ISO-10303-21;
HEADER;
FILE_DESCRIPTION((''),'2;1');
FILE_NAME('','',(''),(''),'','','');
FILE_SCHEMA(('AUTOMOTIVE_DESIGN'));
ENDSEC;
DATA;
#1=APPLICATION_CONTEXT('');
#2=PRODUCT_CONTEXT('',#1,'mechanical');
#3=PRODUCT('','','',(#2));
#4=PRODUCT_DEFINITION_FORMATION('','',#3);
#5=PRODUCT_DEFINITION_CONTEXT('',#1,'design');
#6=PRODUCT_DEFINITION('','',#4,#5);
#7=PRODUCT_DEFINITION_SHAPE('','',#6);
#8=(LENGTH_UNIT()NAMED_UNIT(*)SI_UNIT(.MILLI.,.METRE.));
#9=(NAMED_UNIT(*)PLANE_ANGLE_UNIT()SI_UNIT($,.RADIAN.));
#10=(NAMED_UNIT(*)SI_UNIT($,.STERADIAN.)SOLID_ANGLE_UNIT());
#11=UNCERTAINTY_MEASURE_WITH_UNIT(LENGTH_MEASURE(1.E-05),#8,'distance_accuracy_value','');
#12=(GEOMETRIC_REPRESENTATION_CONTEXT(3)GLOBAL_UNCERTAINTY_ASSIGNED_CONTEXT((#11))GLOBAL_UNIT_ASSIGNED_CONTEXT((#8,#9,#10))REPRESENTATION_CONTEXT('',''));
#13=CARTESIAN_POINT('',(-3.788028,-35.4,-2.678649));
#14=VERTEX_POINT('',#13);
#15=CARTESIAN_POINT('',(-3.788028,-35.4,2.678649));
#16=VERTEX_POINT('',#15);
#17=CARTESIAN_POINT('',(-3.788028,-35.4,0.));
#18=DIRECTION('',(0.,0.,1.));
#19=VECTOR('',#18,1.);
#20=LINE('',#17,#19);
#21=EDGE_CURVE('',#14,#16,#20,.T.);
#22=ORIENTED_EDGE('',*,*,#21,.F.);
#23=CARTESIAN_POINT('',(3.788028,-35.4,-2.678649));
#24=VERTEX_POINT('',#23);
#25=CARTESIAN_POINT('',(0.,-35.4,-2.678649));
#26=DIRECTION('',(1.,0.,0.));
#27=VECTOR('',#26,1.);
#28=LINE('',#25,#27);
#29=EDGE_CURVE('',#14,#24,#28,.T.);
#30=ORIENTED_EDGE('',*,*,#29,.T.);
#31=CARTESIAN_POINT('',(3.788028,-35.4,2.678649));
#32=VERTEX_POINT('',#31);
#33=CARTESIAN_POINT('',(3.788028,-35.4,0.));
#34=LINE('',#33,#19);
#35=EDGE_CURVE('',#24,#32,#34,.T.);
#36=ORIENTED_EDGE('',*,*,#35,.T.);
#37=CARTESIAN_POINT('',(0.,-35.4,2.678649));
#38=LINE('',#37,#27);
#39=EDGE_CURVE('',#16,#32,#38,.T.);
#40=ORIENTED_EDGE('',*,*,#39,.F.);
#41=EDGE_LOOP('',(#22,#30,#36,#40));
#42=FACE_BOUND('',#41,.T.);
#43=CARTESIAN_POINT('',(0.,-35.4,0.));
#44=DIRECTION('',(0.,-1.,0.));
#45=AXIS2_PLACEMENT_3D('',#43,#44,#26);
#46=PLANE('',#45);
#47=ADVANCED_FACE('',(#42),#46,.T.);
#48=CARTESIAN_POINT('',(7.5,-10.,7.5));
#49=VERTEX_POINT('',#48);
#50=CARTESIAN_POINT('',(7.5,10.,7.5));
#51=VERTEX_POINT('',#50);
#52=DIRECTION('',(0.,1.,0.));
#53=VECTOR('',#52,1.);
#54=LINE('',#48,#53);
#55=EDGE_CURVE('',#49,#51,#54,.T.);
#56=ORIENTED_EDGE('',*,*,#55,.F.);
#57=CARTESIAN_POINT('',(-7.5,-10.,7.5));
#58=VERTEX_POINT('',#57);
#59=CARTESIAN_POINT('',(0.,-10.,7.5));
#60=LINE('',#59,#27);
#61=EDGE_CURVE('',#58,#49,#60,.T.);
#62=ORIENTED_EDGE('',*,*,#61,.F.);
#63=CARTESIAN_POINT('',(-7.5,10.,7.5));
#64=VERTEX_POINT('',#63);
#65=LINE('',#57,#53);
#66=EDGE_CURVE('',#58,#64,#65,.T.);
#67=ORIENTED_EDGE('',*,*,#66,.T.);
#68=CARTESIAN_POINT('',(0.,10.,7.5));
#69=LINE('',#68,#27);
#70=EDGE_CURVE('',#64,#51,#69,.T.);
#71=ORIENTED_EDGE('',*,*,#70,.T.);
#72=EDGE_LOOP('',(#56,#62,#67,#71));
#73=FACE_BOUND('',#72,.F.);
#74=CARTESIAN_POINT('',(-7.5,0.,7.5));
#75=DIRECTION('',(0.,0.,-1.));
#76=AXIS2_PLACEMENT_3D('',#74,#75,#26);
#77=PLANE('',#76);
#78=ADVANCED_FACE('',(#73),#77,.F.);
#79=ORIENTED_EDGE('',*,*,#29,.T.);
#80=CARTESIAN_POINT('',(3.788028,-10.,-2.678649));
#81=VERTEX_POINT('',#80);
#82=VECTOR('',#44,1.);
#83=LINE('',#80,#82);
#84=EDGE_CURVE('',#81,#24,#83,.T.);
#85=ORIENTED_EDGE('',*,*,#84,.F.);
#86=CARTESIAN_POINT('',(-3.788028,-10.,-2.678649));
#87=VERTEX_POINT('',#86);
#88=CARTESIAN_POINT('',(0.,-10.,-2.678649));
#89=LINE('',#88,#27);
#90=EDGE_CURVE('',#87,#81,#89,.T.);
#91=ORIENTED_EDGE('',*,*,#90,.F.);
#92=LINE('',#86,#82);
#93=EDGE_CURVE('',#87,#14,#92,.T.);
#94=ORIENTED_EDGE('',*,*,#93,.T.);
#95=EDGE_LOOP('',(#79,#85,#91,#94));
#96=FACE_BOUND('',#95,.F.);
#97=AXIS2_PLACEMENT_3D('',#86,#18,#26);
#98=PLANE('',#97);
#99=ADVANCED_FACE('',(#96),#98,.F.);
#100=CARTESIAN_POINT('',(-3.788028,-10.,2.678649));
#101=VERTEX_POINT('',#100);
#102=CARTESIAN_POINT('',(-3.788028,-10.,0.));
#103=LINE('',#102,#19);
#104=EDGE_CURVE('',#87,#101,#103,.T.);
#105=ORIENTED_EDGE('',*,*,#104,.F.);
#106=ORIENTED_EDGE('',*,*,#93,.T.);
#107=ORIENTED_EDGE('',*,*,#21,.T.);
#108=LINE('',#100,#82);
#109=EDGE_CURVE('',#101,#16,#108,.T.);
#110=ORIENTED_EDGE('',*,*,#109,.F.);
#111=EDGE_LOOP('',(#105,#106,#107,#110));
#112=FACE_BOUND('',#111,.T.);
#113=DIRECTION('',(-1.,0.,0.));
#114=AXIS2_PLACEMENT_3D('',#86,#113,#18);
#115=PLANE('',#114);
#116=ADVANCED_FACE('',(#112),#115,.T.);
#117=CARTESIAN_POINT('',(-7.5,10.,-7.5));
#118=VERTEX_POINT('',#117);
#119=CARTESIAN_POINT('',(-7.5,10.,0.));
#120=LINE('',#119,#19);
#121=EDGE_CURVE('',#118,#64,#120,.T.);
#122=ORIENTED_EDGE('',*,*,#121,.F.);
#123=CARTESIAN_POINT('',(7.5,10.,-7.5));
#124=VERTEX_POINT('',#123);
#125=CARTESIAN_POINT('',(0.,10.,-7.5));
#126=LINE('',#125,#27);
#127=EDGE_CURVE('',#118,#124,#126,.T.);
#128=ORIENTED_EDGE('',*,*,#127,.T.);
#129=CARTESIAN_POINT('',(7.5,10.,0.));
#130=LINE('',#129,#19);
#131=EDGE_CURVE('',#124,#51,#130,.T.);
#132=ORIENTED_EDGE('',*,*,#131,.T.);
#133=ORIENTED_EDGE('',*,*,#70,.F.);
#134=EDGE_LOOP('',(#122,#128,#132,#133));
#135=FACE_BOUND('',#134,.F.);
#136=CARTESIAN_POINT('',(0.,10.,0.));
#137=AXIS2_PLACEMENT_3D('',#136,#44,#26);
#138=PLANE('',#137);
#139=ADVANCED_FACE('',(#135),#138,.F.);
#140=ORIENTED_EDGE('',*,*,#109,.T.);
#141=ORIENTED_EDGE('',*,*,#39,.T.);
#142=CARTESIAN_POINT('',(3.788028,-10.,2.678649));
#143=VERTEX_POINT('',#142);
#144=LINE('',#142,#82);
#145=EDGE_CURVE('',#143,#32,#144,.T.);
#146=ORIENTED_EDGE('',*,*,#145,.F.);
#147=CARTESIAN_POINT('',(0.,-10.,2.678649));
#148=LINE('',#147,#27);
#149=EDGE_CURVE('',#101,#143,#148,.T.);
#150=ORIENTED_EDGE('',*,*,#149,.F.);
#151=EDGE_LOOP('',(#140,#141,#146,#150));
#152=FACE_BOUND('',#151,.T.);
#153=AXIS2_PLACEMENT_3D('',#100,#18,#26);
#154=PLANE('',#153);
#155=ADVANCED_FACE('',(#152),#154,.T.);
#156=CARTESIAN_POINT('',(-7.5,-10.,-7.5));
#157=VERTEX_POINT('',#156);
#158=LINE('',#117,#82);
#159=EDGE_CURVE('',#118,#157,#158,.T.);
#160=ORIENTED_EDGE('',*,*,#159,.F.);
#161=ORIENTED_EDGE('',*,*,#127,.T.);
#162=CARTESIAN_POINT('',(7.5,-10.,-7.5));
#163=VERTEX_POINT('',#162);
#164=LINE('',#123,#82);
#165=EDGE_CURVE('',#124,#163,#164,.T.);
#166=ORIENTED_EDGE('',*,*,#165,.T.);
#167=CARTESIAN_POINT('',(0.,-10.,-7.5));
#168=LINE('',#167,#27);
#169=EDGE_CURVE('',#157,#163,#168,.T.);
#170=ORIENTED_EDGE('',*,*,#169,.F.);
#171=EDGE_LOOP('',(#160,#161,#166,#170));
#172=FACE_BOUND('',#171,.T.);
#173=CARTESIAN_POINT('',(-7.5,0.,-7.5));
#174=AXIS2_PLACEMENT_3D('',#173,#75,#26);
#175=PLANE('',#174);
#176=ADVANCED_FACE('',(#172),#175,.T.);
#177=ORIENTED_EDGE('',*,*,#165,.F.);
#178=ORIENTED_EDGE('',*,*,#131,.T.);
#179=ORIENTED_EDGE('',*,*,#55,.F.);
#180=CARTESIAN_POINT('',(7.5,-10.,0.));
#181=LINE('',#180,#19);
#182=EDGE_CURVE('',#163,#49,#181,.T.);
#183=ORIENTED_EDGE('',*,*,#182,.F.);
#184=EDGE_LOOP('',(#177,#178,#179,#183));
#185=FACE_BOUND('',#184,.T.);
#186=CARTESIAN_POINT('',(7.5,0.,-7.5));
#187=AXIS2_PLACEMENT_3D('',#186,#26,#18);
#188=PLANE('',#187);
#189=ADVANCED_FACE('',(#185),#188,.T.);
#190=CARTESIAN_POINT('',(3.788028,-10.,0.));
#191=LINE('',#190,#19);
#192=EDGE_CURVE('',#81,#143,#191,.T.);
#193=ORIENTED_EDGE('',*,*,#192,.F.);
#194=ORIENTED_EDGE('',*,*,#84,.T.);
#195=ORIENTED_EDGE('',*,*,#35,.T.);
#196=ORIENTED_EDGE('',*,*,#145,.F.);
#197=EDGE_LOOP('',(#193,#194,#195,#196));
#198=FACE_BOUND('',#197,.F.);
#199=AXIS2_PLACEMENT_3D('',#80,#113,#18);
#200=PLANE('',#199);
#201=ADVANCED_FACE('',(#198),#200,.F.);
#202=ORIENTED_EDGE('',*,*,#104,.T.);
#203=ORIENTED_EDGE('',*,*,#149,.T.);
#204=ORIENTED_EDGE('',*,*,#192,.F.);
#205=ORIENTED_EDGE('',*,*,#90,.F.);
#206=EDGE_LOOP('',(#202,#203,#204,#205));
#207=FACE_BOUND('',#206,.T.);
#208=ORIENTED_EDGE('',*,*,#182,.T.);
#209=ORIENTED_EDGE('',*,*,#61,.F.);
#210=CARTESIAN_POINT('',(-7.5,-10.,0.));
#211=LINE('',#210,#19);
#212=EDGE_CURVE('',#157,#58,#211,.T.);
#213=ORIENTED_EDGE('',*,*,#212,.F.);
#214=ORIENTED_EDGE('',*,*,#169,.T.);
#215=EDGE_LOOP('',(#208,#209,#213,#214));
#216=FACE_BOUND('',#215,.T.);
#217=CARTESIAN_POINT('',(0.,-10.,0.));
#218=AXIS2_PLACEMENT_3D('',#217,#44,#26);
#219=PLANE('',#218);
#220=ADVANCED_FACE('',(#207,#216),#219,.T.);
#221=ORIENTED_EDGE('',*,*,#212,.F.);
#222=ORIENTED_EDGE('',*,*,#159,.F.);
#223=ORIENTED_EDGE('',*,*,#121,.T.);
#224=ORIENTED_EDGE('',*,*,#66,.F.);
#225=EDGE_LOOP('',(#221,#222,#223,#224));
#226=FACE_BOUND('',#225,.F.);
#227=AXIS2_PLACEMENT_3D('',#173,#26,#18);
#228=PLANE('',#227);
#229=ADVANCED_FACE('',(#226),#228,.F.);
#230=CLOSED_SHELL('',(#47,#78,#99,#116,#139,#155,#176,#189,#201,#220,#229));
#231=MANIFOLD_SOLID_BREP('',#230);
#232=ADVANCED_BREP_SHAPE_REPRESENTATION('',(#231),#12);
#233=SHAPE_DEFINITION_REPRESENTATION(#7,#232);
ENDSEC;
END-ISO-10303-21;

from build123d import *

# Parameters (mm, degrees)
F0_W     = 15
F0_H     = 15
F1_DEPTH = 10
F2_W     = 7.576056
F2_H     = 5.357298
F3_DEPTH = 25.4


with BuildPart() as f1:
    # F0 (on Front) → F1 (new body, symmetric)
    with BuildSketch(Plane.XZ):
        Rectangle(F0_W, F0_H)
    extrude(amount=F1_DEPTH, both=True)

    # F2 (on face) → F3 (join)
    with BuildSketch(Plane.XZ.offset(10)):
        Rectangle(F2_W, F2_H)
    extrude(amount=F3_DEPTH)


solid = f1.part
